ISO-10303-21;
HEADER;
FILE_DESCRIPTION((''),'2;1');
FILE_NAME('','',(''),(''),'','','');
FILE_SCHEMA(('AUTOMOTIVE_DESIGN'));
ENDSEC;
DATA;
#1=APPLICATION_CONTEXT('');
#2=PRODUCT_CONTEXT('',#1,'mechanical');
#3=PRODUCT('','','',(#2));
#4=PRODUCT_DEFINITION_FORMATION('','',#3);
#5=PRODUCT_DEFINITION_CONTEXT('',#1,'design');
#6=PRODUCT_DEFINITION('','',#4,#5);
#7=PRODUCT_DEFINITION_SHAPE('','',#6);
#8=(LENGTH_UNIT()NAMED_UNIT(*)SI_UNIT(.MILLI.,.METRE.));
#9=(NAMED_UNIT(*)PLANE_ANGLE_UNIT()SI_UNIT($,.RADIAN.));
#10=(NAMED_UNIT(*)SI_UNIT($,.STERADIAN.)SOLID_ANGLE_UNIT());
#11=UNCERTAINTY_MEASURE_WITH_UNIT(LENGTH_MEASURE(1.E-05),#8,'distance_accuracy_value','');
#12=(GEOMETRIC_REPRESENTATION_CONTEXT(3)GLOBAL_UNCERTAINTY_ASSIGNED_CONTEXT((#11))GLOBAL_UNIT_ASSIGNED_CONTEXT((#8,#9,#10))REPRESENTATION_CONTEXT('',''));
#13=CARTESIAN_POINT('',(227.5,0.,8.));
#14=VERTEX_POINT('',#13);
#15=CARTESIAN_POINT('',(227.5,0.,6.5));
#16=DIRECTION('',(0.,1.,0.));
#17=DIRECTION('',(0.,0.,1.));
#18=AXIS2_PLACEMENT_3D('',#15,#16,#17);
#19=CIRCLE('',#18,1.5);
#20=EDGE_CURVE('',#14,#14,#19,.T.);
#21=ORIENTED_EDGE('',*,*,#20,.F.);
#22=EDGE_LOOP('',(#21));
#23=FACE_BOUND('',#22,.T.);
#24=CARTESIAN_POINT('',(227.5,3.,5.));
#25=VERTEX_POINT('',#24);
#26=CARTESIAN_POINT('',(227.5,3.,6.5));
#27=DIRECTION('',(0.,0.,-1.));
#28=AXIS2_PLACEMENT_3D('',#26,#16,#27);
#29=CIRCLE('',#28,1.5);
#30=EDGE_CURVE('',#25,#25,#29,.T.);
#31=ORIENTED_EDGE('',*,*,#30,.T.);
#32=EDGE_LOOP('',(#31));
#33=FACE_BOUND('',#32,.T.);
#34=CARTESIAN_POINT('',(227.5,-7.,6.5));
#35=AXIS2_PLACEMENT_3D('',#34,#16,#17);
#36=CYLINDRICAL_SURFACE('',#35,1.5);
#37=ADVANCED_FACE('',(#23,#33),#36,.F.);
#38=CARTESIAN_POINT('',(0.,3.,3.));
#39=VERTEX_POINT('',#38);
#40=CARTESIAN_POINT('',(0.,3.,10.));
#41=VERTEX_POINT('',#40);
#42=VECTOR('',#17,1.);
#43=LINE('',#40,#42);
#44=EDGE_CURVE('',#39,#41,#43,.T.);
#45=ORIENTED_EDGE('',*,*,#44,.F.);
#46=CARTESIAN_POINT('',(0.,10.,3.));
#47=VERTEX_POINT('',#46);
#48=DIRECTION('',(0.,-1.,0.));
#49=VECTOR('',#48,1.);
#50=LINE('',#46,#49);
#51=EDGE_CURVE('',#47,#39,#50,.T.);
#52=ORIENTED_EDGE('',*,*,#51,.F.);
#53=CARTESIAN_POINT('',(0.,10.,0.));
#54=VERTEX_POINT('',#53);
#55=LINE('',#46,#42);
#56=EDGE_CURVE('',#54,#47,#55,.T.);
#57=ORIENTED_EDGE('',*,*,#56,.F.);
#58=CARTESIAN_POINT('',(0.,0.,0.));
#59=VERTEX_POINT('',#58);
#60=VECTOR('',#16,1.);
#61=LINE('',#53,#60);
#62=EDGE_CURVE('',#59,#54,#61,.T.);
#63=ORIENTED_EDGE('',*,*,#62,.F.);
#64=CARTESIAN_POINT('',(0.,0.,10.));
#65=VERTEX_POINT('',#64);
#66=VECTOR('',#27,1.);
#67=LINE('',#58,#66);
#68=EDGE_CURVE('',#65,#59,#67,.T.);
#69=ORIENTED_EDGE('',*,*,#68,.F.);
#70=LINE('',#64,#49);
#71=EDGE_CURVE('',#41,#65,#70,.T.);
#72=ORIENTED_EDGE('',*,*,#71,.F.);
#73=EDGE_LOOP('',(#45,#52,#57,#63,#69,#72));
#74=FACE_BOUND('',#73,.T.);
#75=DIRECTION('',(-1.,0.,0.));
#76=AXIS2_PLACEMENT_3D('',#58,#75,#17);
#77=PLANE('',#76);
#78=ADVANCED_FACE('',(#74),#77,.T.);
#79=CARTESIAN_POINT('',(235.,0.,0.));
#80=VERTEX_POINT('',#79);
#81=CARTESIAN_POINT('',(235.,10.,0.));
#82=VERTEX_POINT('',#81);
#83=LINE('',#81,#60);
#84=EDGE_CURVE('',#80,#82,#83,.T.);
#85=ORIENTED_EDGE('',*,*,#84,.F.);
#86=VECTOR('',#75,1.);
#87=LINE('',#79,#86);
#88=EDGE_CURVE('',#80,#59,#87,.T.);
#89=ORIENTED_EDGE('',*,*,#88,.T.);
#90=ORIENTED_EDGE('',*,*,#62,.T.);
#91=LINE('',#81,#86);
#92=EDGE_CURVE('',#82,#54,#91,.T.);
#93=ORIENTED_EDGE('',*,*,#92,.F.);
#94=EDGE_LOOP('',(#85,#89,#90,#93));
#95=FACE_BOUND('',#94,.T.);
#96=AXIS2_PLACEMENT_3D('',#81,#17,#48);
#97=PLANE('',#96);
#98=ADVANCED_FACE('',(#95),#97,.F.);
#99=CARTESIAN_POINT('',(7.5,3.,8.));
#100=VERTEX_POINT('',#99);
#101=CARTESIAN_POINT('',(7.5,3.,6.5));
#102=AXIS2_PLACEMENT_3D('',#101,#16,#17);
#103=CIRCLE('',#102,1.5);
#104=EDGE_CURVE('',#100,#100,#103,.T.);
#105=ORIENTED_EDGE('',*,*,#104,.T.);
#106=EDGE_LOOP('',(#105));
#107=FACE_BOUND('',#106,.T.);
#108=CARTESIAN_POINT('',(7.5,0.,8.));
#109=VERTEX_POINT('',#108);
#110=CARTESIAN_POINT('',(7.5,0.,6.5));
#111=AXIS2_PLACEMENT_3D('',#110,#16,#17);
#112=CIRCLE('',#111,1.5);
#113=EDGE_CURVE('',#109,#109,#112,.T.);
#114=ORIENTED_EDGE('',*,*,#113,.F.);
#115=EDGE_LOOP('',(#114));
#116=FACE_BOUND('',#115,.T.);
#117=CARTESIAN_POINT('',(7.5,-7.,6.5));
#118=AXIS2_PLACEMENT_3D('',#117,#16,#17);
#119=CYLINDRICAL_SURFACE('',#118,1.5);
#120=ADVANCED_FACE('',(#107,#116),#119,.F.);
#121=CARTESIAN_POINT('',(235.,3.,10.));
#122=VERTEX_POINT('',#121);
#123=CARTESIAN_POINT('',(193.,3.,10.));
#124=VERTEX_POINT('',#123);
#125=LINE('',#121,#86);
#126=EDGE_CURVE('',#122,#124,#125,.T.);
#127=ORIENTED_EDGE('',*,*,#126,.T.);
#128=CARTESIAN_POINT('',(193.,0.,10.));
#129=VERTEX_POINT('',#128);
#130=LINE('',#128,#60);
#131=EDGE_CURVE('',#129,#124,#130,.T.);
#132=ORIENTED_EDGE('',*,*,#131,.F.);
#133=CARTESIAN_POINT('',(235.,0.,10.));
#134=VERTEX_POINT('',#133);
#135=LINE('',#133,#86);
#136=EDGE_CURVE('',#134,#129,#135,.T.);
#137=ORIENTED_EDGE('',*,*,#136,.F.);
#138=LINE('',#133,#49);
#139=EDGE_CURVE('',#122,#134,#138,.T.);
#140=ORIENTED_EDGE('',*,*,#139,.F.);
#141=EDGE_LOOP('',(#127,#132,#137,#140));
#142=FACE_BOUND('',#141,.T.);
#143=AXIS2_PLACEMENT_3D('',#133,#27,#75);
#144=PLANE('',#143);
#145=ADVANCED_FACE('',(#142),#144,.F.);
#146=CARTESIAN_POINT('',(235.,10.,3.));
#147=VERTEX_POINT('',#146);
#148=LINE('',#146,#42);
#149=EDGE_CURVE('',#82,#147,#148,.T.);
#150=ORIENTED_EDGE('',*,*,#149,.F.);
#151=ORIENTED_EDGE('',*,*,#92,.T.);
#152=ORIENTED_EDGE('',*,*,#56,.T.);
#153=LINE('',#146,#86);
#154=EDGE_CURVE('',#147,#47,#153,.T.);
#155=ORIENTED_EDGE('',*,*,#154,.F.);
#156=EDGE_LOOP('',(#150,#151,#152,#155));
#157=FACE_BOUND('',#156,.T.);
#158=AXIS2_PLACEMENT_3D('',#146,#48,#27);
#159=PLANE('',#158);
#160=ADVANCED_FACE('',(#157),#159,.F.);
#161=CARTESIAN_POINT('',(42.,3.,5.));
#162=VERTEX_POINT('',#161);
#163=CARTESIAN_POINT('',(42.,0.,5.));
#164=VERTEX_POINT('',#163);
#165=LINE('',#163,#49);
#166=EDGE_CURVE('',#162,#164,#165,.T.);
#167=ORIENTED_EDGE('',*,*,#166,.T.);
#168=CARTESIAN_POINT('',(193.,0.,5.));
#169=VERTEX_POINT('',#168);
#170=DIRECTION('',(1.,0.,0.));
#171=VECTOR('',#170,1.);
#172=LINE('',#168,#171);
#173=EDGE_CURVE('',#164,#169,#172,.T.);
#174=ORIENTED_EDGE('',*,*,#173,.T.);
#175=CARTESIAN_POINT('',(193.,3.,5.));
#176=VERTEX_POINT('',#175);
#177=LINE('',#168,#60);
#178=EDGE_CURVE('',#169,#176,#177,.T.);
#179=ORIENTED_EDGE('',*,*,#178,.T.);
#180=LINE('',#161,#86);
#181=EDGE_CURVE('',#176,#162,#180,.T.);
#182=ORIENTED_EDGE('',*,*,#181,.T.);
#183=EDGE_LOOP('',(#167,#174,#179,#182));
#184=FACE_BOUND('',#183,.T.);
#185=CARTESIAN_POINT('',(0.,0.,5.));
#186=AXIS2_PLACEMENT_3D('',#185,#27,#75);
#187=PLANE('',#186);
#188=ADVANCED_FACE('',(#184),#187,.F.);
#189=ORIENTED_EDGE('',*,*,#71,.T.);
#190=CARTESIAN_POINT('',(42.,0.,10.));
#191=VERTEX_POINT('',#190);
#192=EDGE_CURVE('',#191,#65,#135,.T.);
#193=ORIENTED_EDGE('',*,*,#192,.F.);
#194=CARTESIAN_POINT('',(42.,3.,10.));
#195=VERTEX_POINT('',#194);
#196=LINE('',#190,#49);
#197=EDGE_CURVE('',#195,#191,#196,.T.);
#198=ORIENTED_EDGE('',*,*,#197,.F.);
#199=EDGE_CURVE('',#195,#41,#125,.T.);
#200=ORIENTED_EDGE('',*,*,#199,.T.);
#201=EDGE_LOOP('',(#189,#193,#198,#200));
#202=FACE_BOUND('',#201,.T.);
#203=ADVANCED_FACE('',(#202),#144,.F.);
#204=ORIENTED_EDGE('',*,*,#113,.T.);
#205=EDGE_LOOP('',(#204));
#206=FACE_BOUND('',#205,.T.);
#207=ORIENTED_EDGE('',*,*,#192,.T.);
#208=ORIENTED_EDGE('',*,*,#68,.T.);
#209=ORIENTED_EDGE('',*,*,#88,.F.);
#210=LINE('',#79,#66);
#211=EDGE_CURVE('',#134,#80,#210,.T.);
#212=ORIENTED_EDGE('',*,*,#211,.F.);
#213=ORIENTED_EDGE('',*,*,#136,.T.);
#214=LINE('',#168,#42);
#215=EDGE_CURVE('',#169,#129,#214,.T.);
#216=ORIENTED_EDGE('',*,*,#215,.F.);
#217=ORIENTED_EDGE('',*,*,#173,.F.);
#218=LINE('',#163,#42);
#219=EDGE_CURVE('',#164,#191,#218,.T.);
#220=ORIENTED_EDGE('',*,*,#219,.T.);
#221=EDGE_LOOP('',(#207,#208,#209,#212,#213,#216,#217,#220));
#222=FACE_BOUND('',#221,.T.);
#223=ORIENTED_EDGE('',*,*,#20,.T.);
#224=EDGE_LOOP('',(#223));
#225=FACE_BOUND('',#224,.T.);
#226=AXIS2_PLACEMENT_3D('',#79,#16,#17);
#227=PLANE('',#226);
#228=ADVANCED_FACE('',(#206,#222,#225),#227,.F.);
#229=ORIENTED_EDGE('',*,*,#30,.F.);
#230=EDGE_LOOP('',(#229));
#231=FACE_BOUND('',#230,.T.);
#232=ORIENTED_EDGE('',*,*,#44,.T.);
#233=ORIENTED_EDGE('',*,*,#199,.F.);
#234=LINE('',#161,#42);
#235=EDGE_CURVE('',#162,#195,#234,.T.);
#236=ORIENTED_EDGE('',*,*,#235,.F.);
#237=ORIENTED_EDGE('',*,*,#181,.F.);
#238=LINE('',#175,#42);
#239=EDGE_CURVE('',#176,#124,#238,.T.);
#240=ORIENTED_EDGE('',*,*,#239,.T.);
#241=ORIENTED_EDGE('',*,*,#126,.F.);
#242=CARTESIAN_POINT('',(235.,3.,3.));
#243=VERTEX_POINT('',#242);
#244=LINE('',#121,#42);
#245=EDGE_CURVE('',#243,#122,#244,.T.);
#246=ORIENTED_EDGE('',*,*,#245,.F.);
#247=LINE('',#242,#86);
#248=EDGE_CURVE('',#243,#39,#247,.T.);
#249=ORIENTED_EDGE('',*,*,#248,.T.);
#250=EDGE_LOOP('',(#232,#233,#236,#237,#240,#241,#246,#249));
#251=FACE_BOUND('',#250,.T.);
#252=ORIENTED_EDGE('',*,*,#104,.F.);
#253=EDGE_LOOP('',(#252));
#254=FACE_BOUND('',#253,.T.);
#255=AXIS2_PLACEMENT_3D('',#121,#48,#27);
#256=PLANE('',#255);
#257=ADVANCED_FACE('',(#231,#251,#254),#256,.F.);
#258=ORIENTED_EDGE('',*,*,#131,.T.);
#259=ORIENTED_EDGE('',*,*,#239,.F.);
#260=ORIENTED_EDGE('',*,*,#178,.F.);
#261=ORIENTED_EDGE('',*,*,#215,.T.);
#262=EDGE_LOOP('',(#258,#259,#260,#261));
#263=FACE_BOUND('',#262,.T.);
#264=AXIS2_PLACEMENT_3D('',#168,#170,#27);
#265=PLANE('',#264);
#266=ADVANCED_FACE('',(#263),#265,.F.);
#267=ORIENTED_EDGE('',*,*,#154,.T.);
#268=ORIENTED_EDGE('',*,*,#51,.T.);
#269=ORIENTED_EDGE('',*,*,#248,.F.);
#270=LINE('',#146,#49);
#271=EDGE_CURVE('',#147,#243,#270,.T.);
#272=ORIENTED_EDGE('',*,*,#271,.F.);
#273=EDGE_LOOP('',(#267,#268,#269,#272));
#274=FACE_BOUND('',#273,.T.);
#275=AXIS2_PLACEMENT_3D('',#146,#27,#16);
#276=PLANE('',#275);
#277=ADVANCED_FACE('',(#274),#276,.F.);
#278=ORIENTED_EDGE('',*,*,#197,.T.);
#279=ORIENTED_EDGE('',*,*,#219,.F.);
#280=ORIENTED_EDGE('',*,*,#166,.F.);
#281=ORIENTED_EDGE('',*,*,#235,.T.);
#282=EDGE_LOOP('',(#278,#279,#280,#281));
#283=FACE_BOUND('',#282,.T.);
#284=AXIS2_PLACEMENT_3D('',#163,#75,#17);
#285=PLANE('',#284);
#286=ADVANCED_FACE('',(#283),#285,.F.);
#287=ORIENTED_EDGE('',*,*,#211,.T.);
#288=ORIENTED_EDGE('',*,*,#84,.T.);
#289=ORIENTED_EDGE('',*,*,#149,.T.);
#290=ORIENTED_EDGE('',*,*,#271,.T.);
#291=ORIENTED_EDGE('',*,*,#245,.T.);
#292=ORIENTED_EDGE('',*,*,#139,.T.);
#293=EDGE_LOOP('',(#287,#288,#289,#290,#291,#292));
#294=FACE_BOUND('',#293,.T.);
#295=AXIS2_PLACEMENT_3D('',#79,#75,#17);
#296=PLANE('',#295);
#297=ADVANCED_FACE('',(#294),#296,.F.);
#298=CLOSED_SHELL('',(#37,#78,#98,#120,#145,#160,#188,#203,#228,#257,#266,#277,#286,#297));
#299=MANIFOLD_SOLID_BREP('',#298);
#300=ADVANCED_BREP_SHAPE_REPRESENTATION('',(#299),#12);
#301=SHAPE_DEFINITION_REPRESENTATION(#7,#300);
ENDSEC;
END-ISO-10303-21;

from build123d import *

# Parameters (mm, degrees)
EXTRUDE_1_DEPTH     = 235
SKETCH_3_R          = 1.5
CUT_EXTRUDE_1_DEPTH = 10
SKETCH_4_W          = 151
SKETCH_4_H          = 3
CUT_EXTRUDE_2_DEPTH = 5


with BuildPart() as part:
    # Эскиз1 → Бобышка-Вытянуть1 (new body)
    with BuildSketch(Plane(origin=(0, 0, 0), x_dir=(0, 0, -1), z_dir=(1, 0, 0))):
        Polygon((0, 0), (-10, 0), (-10, 3), (-3, 3), (-3, 10), (0, 10), align=None)
    extrude(amount=EXTRUDE_1_DEPTH)

    # Эскиз3 → Вырез-Вытянуть1 (cut)
    with BuildSketch(Plane(origin=(0, 3, 0), x_dir=(1, 0, 0), z_dir=(0, 1, 0))):
        with Locations((7.5, -6.5)):
            Circle(SKETCH_3_R)
        with Locations((227.5, -6.5)):
            Circle(SKETCH_3_R)
    extrude(amount=-CUT_EXTRUDE_1_DEPTH, mode=Mode.SUBTRACT)

    # Эскиз4 → Вырез-Вытянуть2 (cut)
    with BuildSketch(Plane.XY.offset(10)):
        with Locations((117.5, 1.5)):
            Rectangle(SKETCH_4_W, SKETCH_4_H)
    extrude(amount=-CUT_EXTRUDE_2_DEPTH, mode=Mode.SUBTRACT)


solid = part.part
